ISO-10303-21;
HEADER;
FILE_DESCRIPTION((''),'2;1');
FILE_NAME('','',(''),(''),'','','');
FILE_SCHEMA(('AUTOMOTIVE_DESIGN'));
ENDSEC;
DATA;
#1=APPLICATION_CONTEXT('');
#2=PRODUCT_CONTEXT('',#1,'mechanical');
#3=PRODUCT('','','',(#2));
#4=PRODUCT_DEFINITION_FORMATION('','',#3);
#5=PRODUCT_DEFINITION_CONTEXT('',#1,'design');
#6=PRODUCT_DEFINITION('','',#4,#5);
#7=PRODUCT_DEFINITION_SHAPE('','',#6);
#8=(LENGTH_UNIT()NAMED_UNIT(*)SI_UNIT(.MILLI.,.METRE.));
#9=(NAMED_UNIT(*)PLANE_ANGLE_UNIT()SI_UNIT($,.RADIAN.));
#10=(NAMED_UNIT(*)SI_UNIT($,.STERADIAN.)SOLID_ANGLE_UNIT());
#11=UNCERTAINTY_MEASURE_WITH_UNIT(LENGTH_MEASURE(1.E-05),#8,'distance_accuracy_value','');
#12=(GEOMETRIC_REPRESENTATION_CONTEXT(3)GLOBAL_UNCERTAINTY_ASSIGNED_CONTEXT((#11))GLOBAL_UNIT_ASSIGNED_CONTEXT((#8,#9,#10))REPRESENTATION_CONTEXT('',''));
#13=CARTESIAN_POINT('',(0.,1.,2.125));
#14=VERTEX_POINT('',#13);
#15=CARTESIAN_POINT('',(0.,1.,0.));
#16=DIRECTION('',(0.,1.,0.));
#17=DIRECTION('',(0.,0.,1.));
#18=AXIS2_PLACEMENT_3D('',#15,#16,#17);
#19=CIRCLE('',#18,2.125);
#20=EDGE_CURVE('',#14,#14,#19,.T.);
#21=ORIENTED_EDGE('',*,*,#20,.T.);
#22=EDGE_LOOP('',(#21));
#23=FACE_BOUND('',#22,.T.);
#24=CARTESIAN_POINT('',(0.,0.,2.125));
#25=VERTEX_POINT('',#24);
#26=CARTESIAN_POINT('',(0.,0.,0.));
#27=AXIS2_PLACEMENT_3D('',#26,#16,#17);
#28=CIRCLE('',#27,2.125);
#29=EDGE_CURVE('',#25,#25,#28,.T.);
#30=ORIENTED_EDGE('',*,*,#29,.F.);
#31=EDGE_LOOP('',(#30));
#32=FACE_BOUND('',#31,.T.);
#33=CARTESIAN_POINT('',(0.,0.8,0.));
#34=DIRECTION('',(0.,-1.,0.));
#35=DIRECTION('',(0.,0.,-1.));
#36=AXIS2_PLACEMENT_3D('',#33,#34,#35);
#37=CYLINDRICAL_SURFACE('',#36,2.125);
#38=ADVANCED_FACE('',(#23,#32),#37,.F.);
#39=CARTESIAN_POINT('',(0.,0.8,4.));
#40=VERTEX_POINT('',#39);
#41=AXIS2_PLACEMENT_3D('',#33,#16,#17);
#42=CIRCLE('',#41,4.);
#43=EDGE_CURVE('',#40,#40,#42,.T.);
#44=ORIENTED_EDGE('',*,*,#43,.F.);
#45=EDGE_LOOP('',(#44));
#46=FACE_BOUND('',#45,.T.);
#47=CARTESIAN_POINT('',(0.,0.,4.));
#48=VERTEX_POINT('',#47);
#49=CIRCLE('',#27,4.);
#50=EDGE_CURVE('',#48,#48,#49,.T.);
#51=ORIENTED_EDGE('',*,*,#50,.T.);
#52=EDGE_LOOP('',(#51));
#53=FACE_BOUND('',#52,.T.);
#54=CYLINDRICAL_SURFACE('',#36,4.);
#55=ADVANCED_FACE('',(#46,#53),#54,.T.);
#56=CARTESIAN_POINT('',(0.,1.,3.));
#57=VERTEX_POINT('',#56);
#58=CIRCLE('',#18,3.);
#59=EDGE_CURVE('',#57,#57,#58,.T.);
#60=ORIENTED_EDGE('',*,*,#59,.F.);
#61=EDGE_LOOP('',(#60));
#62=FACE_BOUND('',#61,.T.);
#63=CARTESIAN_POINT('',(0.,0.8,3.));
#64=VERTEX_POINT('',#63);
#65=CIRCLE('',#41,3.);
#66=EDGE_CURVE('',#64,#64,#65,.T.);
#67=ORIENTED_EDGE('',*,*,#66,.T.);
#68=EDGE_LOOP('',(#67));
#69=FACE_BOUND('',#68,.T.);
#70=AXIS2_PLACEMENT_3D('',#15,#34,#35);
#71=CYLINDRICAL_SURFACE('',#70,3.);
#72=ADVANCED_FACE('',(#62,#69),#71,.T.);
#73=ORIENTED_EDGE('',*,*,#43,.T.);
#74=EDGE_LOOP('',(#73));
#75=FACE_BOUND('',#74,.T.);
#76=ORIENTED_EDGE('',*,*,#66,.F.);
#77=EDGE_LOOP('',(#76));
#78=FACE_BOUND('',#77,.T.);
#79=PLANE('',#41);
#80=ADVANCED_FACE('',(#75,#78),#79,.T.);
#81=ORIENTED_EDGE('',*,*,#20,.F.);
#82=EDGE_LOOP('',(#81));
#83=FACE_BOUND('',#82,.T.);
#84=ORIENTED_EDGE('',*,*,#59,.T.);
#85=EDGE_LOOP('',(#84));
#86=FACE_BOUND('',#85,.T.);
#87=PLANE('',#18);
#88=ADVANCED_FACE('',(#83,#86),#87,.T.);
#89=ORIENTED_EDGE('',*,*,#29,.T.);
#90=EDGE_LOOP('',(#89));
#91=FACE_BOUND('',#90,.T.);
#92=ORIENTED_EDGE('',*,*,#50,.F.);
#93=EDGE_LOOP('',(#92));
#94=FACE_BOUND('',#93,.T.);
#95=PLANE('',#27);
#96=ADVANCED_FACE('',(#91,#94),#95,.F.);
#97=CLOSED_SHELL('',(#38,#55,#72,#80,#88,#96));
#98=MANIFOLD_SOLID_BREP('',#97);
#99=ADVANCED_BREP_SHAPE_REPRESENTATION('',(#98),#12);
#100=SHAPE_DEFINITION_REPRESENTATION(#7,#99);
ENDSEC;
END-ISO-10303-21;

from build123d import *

# Parameters (mm, degrees)
CROQUIS1_R              = 4
CROQUIS1_R_2            = 2.125
SALIENTE_EXTRUIR1_DEPTH = 0.8
CROQUIS2_R              = 3
CROQUIS2_R_2            = 2.125
SALIENTE_EXTRUIR2_DEPTH = 0.2


with BuildPart() as part:
    # Croquis1 → Saliente-Extruir1 (new body)
    with BuildSketch(Plane(origin=(0, 0, 0), x_dir=(1, 0, 0), z_dir=(0, 1, 0))):
        with Locations(Location((0, 0, 0), (0, 0, 270))):
            Circle(CROQUIS1_R)
        with Locations(Location((0, 0, 0), (0, 0, 270))):
            Circle(CROQUIS1_R_2, mode=Mode.SUBTRACT)
    extrude(amount=SALIENTE_EXTRUIR1_DEPTH)

    # Croquis2 → Saliente-Extruir2 (add)
    with BuildSketch(Plane(origin=(0, 0.8, 0), x_dir=(1, 0, 0), z_dir=(0, 1, 0))):
        with Locations(Location((0, 0, 0), (0, 0, 270))):
            Circle(CROQUIS2_R)
        with Locations(Location((0, 0, 0), (0, 0, 270))):
            Circle(CROQUIS2_R_2, mode=Mode.SUBTRACT)
    extrude(amount=SALIENTE_EXTRUIR2_DEPTH)


solid = part.part
